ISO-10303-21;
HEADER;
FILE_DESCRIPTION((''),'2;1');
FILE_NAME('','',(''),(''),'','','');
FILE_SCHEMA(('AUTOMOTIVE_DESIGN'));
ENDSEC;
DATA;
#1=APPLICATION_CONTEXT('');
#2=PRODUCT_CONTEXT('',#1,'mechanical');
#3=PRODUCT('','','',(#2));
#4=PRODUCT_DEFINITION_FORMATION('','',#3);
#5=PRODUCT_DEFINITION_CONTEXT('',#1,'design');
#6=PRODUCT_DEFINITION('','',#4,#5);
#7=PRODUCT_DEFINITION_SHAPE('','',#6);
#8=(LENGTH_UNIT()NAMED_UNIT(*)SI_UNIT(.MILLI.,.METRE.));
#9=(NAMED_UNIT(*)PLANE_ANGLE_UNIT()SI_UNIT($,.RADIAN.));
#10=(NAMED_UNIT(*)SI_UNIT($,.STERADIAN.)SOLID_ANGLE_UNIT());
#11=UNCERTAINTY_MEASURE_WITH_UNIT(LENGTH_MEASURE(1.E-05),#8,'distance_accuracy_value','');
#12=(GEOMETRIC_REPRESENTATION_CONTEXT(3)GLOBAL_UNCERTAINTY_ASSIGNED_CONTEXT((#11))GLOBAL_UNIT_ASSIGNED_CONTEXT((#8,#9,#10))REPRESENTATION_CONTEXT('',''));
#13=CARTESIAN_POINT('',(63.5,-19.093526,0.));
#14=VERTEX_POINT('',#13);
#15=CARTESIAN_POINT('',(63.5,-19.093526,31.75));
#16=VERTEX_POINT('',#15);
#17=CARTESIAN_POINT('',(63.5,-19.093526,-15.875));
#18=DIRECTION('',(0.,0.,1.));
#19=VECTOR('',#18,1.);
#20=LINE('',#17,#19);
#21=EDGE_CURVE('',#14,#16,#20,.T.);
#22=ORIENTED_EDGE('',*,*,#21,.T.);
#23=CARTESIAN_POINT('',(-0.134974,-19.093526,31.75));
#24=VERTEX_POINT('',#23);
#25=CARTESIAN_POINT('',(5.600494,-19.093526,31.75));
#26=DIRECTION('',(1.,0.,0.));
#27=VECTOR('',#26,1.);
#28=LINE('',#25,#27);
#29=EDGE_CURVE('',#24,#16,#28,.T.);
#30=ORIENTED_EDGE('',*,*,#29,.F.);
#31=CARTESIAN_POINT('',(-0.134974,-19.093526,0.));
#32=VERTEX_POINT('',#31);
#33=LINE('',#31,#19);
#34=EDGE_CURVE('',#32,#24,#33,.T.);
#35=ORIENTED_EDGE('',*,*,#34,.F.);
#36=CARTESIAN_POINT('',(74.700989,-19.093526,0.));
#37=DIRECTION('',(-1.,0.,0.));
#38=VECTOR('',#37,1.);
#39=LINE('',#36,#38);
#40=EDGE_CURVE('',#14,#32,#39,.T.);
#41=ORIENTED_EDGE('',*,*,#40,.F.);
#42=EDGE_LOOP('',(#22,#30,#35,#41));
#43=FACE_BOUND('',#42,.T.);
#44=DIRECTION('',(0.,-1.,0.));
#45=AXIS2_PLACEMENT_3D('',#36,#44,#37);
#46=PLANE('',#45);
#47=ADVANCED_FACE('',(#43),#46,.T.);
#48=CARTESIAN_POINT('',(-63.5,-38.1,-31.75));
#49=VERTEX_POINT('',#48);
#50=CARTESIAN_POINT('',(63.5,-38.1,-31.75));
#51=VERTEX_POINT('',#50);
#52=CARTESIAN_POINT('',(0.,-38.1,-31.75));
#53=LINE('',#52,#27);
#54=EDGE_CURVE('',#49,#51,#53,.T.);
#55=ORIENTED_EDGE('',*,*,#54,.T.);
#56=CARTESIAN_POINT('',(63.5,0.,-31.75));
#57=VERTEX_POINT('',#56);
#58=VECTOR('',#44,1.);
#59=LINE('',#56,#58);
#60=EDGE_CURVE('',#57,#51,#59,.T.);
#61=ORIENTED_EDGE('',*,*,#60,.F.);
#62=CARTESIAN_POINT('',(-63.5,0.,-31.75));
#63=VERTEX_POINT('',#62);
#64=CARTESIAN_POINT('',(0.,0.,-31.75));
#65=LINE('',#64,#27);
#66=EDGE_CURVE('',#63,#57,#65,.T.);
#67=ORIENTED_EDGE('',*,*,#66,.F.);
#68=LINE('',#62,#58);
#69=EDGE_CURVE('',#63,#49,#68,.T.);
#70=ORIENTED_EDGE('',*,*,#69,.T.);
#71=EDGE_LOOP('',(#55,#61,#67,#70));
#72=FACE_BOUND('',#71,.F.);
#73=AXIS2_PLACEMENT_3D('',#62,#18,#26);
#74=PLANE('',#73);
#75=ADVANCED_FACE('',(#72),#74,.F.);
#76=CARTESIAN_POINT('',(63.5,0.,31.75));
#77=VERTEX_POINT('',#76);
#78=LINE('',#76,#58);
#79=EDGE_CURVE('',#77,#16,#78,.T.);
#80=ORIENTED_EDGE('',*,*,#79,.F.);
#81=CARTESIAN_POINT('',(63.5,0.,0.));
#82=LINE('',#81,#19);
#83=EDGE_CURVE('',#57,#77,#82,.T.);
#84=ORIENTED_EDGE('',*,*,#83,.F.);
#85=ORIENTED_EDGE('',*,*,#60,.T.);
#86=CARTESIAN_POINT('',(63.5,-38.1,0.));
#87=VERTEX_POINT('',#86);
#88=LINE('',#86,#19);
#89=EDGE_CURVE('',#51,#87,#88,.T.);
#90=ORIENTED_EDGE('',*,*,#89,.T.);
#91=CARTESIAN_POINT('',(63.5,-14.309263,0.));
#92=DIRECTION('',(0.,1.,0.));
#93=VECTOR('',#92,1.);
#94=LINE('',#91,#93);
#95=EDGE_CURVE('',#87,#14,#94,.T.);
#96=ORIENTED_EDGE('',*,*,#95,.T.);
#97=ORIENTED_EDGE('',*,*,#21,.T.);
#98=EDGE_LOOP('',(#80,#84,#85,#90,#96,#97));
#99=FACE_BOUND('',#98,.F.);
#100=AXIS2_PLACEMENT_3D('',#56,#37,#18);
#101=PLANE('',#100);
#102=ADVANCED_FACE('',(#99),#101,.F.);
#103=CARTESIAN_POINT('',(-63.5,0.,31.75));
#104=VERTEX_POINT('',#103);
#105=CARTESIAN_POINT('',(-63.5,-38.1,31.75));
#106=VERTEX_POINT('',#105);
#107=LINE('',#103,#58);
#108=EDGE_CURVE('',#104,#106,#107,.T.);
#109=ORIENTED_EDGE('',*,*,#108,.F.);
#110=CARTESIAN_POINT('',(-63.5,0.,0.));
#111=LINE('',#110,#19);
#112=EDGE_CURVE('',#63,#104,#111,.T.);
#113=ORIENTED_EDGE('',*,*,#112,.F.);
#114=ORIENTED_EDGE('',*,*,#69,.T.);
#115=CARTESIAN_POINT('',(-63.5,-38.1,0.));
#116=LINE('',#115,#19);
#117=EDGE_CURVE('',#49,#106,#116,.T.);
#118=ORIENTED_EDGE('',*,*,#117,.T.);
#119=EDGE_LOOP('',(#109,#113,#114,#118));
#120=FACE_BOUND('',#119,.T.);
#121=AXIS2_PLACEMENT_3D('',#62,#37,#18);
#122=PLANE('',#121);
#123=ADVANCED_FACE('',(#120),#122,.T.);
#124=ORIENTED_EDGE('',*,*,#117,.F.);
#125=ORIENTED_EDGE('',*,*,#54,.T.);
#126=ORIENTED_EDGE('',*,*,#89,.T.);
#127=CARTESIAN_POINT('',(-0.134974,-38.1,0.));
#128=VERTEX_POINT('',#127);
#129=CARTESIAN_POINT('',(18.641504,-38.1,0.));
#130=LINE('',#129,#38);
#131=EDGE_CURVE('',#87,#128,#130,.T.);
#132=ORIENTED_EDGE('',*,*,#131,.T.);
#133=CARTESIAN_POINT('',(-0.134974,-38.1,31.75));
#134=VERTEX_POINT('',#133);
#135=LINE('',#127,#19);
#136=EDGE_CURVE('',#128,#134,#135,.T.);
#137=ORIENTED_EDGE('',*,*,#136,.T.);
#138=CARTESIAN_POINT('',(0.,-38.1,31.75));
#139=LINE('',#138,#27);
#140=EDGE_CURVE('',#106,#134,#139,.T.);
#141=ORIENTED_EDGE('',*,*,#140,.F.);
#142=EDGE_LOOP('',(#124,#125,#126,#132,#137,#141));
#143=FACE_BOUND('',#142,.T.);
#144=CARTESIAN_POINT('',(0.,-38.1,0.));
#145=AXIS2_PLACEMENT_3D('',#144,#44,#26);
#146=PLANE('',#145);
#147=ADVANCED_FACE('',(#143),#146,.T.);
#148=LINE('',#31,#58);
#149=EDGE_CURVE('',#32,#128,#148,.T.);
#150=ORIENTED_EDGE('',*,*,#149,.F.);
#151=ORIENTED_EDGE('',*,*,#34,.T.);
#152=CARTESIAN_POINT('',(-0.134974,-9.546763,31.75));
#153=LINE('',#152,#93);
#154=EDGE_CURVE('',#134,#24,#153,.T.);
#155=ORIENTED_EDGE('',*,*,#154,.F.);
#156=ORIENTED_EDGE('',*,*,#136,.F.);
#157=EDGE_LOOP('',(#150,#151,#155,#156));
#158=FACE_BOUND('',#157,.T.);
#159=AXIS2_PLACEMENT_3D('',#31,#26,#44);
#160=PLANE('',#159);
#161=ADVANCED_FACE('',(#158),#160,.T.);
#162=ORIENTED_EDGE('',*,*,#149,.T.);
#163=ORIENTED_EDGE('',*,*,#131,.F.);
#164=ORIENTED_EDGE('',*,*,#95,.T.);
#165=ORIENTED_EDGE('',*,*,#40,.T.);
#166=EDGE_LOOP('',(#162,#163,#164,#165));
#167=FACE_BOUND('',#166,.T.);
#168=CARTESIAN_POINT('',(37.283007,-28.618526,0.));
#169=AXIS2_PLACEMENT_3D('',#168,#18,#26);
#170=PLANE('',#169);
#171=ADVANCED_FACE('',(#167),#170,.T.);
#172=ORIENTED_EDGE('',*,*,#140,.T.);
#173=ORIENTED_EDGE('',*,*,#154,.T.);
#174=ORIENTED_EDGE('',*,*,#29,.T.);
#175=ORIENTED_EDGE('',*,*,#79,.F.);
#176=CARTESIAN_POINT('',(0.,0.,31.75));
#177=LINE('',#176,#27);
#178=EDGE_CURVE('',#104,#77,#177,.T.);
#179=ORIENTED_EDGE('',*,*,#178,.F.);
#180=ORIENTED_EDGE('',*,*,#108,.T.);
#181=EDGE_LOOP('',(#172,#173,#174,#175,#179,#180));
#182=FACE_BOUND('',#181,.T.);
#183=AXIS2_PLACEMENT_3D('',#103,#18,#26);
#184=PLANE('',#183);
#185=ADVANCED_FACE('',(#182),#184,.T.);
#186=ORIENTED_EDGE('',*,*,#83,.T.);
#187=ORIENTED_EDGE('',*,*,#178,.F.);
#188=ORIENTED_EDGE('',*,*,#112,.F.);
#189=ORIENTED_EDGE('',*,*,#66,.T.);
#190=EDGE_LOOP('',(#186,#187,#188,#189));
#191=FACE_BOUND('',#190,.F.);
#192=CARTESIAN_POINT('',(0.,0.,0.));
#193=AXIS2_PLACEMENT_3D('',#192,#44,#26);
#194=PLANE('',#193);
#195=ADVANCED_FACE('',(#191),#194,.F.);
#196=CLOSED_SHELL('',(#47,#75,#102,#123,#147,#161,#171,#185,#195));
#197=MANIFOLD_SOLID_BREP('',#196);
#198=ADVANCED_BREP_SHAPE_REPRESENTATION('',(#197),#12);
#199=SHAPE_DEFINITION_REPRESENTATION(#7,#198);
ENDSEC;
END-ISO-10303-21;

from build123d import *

# Parameters (mm, degrees)
F0_W     = 127
F0_H     = 63.5
F1_DEPTH = 38.1
F3_DEPTH = 60.96


with BuildPart() as f1:
    # F0 (on Front) → F1 (new body)
    with BuildSketch(Plane.XZ):
        Rectangle(F0_W, F0_H)
    extrude(amount=F1_DEPTH)

    # F2 (on Top) → F3 (cut)
    with BuildSketch(Plane.XY):
        Polygon((-0.134974, -19.093526), (-0.134974, -35.547902), (-0.134974, -38.143526), (63.365026, -38.143526), (74.700989, -38.143526), (74.700989, -19.093526), (63.365026, -19.093526), align=None)
    extrude(amount=F3_DEPTH, mode=Mode.SUBTRACT)


solid = f1.part
